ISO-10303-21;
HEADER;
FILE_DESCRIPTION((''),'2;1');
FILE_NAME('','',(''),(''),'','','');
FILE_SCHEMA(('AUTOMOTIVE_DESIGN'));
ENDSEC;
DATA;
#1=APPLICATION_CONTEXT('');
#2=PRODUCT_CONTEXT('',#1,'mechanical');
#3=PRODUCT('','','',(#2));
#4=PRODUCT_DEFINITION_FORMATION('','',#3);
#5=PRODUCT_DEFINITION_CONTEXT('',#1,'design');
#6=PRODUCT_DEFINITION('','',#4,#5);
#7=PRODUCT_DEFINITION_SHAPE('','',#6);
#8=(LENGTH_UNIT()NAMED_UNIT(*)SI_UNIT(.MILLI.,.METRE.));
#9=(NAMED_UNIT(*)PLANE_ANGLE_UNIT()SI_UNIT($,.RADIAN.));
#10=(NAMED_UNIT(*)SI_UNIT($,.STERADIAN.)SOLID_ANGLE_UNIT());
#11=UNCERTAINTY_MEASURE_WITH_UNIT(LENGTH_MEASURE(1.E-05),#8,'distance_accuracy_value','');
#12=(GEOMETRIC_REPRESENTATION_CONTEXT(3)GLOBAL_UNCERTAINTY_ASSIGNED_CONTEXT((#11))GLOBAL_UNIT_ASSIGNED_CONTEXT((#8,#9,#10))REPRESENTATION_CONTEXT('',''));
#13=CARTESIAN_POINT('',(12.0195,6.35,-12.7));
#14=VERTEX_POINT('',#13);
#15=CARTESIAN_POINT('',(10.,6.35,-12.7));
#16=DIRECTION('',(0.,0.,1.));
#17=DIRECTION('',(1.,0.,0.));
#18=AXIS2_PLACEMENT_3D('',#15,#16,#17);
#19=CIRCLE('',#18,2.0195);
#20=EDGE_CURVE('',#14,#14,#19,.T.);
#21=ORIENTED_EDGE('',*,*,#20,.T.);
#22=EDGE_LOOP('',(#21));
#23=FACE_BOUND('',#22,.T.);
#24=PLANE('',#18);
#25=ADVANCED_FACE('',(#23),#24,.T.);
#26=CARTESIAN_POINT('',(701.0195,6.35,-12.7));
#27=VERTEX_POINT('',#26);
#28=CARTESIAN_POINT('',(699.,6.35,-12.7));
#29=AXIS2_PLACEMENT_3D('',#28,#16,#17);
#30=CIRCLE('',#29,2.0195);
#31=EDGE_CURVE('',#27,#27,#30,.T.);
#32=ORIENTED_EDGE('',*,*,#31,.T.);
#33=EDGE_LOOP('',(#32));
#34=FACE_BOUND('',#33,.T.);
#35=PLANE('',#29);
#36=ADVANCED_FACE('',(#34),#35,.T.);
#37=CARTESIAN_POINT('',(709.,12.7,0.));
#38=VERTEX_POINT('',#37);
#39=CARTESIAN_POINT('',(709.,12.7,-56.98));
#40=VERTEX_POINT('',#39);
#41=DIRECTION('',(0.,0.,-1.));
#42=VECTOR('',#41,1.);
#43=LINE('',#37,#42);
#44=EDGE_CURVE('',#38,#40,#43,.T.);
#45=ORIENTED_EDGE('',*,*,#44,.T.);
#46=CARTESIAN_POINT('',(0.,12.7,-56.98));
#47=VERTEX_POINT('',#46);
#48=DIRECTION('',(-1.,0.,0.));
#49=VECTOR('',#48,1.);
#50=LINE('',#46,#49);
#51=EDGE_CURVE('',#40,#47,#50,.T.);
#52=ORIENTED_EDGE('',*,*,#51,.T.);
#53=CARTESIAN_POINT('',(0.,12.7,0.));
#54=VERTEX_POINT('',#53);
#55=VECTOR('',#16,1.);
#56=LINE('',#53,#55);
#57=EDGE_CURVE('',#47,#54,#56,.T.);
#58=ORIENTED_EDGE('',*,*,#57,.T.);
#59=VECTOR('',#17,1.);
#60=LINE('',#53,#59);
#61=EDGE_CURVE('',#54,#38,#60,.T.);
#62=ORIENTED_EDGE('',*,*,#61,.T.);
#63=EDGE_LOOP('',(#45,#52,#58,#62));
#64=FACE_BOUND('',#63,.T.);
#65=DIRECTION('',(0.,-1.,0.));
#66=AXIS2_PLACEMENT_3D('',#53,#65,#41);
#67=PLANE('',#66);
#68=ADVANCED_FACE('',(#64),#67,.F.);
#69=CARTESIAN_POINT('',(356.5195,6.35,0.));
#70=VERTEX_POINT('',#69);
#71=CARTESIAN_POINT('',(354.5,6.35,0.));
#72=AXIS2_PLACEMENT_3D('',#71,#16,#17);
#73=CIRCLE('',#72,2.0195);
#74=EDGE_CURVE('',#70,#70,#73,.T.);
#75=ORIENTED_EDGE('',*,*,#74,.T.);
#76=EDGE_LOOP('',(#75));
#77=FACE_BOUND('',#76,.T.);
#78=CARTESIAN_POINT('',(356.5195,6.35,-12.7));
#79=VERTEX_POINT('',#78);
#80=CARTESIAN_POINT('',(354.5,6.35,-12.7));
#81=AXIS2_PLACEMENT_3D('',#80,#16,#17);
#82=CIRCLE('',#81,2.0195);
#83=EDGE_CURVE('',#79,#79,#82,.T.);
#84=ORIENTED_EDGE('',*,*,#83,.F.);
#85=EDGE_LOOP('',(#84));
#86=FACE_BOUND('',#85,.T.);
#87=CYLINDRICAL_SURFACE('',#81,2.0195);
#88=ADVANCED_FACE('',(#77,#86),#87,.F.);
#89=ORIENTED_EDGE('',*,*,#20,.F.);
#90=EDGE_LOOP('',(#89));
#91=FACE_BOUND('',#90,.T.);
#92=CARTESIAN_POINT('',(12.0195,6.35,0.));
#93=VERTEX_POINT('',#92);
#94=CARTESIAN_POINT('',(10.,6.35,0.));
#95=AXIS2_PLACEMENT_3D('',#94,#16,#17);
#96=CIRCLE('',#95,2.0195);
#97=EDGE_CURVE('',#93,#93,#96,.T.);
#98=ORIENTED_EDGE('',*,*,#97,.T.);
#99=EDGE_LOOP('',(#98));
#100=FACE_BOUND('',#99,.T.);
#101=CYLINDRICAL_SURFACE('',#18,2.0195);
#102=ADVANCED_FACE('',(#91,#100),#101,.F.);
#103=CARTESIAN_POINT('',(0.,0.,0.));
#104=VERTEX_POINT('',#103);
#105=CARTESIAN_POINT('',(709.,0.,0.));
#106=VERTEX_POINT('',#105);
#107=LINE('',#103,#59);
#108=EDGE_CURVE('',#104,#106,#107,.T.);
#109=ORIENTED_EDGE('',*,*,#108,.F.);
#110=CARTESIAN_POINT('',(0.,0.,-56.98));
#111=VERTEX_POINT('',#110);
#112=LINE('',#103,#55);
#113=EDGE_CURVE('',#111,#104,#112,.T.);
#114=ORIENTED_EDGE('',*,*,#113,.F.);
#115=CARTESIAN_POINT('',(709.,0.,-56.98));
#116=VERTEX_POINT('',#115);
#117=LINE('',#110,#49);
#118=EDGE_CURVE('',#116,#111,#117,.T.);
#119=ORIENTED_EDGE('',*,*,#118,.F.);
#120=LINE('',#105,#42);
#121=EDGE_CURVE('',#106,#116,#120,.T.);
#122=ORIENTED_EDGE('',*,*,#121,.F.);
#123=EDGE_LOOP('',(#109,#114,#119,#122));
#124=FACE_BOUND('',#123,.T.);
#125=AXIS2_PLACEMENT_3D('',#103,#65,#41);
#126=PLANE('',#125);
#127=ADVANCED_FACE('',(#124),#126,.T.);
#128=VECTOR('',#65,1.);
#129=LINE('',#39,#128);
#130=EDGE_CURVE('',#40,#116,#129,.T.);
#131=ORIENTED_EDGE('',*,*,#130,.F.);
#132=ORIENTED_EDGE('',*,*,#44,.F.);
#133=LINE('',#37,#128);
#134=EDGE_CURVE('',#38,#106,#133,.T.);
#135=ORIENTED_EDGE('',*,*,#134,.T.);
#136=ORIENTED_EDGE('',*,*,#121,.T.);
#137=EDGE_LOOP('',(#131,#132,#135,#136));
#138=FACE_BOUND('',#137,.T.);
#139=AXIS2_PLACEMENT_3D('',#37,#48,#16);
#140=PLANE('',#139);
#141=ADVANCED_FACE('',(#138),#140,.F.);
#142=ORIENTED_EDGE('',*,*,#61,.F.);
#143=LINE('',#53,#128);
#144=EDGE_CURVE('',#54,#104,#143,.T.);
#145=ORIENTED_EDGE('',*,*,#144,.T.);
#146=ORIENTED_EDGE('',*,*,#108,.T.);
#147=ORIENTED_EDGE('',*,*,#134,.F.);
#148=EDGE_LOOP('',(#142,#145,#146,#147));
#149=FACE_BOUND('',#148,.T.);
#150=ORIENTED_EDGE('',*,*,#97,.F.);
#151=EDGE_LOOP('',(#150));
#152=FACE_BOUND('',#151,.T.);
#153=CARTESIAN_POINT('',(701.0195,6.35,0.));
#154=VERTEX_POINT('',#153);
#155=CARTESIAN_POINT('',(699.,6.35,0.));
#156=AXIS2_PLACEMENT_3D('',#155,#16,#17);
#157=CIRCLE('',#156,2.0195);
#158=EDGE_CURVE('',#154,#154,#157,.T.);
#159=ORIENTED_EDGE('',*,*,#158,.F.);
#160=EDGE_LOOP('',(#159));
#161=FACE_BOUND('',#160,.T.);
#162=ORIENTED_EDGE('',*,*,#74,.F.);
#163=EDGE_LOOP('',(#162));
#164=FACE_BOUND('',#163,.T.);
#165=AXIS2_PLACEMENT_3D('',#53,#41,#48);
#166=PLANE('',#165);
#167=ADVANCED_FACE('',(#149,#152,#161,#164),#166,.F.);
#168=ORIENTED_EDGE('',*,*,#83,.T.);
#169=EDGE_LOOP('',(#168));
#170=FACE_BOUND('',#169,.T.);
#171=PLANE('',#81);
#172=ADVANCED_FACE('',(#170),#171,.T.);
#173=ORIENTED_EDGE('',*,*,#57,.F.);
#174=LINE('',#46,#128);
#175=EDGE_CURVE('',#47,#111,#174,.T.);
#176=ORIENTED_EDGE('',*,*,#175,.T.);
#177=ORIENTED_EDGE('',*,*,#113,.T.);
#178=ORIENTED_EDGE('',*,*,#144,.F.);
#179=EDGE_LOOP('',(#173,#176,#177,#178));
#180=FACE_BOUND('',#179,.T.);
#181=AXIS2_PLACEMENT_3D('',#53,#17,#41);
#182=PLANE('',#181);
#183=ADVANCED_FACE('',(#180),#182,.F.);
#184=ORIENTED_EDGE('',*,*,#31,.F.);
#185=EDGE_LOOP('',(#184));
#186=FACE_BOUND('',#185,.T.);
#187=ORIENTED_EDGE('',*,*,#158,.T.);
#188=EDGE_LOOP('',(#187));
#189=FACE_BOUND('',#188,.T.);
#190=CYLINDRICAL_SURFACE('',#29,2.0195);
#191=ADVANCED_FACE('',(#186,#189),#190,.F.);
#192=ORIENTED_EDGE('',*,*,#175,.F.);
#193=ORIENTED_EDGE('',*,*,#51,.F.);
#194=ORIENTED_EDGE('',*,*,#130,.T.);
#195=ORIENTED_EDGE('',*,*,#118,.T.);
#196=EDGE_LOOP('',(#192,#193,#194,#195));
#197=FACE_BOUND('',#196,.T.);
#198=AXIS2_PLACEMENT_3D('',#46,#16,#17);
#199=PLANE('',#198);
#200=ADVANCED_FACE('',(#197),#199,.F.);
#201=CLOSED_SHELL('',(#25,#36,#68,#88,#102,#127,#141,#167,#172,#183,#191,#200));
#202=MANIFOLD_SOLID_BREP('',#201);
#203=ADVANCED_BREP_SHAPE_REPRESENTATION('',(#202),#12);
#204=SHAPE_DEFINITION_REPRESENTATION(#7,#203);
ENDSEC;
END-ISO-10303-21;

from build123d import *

# Parameters (mm, degrees)
SKETCH1_W           = 709
SKETCH1_H           = 56.98
BOSS_EXTRUDE1_DEPTH = 12.7
SKETCH2_R           = 2.0195
CUT_EXTRUDE1_DEPTH  = 12.7


with BuildPart() as part:
    # Sketch1 → Boss-Extrude1 (new body)
    with BuildSketch(Plane(origin=(0, 0, 0), x_dir=(1, 0, 0), z_dir=(0, 1, 0))):
        with Locations((354.5, 28.49)):
            Rectangle(SKETCH1_W, SKETCH1_H)
    extrude(amount=BOSS_EXTRUDE1_DEPTH)

    # Sketch2 → Cut-Extrude1 (cut)
    with BuildSketch(Plane.XY):
        with Locations((699, 6.35)):
            Circle(SKETCH2_R)
        with Locations((354.5, 6.35)):
            Circle(SKETCH2_R)
        with Locations((10, 6.35)):
            Circle(SKETCH2_R)
    extrude(amount=-CUT_EXTRUDE1_DEPTH, mode=Mode.SUBTRACT)


solid = part.part
